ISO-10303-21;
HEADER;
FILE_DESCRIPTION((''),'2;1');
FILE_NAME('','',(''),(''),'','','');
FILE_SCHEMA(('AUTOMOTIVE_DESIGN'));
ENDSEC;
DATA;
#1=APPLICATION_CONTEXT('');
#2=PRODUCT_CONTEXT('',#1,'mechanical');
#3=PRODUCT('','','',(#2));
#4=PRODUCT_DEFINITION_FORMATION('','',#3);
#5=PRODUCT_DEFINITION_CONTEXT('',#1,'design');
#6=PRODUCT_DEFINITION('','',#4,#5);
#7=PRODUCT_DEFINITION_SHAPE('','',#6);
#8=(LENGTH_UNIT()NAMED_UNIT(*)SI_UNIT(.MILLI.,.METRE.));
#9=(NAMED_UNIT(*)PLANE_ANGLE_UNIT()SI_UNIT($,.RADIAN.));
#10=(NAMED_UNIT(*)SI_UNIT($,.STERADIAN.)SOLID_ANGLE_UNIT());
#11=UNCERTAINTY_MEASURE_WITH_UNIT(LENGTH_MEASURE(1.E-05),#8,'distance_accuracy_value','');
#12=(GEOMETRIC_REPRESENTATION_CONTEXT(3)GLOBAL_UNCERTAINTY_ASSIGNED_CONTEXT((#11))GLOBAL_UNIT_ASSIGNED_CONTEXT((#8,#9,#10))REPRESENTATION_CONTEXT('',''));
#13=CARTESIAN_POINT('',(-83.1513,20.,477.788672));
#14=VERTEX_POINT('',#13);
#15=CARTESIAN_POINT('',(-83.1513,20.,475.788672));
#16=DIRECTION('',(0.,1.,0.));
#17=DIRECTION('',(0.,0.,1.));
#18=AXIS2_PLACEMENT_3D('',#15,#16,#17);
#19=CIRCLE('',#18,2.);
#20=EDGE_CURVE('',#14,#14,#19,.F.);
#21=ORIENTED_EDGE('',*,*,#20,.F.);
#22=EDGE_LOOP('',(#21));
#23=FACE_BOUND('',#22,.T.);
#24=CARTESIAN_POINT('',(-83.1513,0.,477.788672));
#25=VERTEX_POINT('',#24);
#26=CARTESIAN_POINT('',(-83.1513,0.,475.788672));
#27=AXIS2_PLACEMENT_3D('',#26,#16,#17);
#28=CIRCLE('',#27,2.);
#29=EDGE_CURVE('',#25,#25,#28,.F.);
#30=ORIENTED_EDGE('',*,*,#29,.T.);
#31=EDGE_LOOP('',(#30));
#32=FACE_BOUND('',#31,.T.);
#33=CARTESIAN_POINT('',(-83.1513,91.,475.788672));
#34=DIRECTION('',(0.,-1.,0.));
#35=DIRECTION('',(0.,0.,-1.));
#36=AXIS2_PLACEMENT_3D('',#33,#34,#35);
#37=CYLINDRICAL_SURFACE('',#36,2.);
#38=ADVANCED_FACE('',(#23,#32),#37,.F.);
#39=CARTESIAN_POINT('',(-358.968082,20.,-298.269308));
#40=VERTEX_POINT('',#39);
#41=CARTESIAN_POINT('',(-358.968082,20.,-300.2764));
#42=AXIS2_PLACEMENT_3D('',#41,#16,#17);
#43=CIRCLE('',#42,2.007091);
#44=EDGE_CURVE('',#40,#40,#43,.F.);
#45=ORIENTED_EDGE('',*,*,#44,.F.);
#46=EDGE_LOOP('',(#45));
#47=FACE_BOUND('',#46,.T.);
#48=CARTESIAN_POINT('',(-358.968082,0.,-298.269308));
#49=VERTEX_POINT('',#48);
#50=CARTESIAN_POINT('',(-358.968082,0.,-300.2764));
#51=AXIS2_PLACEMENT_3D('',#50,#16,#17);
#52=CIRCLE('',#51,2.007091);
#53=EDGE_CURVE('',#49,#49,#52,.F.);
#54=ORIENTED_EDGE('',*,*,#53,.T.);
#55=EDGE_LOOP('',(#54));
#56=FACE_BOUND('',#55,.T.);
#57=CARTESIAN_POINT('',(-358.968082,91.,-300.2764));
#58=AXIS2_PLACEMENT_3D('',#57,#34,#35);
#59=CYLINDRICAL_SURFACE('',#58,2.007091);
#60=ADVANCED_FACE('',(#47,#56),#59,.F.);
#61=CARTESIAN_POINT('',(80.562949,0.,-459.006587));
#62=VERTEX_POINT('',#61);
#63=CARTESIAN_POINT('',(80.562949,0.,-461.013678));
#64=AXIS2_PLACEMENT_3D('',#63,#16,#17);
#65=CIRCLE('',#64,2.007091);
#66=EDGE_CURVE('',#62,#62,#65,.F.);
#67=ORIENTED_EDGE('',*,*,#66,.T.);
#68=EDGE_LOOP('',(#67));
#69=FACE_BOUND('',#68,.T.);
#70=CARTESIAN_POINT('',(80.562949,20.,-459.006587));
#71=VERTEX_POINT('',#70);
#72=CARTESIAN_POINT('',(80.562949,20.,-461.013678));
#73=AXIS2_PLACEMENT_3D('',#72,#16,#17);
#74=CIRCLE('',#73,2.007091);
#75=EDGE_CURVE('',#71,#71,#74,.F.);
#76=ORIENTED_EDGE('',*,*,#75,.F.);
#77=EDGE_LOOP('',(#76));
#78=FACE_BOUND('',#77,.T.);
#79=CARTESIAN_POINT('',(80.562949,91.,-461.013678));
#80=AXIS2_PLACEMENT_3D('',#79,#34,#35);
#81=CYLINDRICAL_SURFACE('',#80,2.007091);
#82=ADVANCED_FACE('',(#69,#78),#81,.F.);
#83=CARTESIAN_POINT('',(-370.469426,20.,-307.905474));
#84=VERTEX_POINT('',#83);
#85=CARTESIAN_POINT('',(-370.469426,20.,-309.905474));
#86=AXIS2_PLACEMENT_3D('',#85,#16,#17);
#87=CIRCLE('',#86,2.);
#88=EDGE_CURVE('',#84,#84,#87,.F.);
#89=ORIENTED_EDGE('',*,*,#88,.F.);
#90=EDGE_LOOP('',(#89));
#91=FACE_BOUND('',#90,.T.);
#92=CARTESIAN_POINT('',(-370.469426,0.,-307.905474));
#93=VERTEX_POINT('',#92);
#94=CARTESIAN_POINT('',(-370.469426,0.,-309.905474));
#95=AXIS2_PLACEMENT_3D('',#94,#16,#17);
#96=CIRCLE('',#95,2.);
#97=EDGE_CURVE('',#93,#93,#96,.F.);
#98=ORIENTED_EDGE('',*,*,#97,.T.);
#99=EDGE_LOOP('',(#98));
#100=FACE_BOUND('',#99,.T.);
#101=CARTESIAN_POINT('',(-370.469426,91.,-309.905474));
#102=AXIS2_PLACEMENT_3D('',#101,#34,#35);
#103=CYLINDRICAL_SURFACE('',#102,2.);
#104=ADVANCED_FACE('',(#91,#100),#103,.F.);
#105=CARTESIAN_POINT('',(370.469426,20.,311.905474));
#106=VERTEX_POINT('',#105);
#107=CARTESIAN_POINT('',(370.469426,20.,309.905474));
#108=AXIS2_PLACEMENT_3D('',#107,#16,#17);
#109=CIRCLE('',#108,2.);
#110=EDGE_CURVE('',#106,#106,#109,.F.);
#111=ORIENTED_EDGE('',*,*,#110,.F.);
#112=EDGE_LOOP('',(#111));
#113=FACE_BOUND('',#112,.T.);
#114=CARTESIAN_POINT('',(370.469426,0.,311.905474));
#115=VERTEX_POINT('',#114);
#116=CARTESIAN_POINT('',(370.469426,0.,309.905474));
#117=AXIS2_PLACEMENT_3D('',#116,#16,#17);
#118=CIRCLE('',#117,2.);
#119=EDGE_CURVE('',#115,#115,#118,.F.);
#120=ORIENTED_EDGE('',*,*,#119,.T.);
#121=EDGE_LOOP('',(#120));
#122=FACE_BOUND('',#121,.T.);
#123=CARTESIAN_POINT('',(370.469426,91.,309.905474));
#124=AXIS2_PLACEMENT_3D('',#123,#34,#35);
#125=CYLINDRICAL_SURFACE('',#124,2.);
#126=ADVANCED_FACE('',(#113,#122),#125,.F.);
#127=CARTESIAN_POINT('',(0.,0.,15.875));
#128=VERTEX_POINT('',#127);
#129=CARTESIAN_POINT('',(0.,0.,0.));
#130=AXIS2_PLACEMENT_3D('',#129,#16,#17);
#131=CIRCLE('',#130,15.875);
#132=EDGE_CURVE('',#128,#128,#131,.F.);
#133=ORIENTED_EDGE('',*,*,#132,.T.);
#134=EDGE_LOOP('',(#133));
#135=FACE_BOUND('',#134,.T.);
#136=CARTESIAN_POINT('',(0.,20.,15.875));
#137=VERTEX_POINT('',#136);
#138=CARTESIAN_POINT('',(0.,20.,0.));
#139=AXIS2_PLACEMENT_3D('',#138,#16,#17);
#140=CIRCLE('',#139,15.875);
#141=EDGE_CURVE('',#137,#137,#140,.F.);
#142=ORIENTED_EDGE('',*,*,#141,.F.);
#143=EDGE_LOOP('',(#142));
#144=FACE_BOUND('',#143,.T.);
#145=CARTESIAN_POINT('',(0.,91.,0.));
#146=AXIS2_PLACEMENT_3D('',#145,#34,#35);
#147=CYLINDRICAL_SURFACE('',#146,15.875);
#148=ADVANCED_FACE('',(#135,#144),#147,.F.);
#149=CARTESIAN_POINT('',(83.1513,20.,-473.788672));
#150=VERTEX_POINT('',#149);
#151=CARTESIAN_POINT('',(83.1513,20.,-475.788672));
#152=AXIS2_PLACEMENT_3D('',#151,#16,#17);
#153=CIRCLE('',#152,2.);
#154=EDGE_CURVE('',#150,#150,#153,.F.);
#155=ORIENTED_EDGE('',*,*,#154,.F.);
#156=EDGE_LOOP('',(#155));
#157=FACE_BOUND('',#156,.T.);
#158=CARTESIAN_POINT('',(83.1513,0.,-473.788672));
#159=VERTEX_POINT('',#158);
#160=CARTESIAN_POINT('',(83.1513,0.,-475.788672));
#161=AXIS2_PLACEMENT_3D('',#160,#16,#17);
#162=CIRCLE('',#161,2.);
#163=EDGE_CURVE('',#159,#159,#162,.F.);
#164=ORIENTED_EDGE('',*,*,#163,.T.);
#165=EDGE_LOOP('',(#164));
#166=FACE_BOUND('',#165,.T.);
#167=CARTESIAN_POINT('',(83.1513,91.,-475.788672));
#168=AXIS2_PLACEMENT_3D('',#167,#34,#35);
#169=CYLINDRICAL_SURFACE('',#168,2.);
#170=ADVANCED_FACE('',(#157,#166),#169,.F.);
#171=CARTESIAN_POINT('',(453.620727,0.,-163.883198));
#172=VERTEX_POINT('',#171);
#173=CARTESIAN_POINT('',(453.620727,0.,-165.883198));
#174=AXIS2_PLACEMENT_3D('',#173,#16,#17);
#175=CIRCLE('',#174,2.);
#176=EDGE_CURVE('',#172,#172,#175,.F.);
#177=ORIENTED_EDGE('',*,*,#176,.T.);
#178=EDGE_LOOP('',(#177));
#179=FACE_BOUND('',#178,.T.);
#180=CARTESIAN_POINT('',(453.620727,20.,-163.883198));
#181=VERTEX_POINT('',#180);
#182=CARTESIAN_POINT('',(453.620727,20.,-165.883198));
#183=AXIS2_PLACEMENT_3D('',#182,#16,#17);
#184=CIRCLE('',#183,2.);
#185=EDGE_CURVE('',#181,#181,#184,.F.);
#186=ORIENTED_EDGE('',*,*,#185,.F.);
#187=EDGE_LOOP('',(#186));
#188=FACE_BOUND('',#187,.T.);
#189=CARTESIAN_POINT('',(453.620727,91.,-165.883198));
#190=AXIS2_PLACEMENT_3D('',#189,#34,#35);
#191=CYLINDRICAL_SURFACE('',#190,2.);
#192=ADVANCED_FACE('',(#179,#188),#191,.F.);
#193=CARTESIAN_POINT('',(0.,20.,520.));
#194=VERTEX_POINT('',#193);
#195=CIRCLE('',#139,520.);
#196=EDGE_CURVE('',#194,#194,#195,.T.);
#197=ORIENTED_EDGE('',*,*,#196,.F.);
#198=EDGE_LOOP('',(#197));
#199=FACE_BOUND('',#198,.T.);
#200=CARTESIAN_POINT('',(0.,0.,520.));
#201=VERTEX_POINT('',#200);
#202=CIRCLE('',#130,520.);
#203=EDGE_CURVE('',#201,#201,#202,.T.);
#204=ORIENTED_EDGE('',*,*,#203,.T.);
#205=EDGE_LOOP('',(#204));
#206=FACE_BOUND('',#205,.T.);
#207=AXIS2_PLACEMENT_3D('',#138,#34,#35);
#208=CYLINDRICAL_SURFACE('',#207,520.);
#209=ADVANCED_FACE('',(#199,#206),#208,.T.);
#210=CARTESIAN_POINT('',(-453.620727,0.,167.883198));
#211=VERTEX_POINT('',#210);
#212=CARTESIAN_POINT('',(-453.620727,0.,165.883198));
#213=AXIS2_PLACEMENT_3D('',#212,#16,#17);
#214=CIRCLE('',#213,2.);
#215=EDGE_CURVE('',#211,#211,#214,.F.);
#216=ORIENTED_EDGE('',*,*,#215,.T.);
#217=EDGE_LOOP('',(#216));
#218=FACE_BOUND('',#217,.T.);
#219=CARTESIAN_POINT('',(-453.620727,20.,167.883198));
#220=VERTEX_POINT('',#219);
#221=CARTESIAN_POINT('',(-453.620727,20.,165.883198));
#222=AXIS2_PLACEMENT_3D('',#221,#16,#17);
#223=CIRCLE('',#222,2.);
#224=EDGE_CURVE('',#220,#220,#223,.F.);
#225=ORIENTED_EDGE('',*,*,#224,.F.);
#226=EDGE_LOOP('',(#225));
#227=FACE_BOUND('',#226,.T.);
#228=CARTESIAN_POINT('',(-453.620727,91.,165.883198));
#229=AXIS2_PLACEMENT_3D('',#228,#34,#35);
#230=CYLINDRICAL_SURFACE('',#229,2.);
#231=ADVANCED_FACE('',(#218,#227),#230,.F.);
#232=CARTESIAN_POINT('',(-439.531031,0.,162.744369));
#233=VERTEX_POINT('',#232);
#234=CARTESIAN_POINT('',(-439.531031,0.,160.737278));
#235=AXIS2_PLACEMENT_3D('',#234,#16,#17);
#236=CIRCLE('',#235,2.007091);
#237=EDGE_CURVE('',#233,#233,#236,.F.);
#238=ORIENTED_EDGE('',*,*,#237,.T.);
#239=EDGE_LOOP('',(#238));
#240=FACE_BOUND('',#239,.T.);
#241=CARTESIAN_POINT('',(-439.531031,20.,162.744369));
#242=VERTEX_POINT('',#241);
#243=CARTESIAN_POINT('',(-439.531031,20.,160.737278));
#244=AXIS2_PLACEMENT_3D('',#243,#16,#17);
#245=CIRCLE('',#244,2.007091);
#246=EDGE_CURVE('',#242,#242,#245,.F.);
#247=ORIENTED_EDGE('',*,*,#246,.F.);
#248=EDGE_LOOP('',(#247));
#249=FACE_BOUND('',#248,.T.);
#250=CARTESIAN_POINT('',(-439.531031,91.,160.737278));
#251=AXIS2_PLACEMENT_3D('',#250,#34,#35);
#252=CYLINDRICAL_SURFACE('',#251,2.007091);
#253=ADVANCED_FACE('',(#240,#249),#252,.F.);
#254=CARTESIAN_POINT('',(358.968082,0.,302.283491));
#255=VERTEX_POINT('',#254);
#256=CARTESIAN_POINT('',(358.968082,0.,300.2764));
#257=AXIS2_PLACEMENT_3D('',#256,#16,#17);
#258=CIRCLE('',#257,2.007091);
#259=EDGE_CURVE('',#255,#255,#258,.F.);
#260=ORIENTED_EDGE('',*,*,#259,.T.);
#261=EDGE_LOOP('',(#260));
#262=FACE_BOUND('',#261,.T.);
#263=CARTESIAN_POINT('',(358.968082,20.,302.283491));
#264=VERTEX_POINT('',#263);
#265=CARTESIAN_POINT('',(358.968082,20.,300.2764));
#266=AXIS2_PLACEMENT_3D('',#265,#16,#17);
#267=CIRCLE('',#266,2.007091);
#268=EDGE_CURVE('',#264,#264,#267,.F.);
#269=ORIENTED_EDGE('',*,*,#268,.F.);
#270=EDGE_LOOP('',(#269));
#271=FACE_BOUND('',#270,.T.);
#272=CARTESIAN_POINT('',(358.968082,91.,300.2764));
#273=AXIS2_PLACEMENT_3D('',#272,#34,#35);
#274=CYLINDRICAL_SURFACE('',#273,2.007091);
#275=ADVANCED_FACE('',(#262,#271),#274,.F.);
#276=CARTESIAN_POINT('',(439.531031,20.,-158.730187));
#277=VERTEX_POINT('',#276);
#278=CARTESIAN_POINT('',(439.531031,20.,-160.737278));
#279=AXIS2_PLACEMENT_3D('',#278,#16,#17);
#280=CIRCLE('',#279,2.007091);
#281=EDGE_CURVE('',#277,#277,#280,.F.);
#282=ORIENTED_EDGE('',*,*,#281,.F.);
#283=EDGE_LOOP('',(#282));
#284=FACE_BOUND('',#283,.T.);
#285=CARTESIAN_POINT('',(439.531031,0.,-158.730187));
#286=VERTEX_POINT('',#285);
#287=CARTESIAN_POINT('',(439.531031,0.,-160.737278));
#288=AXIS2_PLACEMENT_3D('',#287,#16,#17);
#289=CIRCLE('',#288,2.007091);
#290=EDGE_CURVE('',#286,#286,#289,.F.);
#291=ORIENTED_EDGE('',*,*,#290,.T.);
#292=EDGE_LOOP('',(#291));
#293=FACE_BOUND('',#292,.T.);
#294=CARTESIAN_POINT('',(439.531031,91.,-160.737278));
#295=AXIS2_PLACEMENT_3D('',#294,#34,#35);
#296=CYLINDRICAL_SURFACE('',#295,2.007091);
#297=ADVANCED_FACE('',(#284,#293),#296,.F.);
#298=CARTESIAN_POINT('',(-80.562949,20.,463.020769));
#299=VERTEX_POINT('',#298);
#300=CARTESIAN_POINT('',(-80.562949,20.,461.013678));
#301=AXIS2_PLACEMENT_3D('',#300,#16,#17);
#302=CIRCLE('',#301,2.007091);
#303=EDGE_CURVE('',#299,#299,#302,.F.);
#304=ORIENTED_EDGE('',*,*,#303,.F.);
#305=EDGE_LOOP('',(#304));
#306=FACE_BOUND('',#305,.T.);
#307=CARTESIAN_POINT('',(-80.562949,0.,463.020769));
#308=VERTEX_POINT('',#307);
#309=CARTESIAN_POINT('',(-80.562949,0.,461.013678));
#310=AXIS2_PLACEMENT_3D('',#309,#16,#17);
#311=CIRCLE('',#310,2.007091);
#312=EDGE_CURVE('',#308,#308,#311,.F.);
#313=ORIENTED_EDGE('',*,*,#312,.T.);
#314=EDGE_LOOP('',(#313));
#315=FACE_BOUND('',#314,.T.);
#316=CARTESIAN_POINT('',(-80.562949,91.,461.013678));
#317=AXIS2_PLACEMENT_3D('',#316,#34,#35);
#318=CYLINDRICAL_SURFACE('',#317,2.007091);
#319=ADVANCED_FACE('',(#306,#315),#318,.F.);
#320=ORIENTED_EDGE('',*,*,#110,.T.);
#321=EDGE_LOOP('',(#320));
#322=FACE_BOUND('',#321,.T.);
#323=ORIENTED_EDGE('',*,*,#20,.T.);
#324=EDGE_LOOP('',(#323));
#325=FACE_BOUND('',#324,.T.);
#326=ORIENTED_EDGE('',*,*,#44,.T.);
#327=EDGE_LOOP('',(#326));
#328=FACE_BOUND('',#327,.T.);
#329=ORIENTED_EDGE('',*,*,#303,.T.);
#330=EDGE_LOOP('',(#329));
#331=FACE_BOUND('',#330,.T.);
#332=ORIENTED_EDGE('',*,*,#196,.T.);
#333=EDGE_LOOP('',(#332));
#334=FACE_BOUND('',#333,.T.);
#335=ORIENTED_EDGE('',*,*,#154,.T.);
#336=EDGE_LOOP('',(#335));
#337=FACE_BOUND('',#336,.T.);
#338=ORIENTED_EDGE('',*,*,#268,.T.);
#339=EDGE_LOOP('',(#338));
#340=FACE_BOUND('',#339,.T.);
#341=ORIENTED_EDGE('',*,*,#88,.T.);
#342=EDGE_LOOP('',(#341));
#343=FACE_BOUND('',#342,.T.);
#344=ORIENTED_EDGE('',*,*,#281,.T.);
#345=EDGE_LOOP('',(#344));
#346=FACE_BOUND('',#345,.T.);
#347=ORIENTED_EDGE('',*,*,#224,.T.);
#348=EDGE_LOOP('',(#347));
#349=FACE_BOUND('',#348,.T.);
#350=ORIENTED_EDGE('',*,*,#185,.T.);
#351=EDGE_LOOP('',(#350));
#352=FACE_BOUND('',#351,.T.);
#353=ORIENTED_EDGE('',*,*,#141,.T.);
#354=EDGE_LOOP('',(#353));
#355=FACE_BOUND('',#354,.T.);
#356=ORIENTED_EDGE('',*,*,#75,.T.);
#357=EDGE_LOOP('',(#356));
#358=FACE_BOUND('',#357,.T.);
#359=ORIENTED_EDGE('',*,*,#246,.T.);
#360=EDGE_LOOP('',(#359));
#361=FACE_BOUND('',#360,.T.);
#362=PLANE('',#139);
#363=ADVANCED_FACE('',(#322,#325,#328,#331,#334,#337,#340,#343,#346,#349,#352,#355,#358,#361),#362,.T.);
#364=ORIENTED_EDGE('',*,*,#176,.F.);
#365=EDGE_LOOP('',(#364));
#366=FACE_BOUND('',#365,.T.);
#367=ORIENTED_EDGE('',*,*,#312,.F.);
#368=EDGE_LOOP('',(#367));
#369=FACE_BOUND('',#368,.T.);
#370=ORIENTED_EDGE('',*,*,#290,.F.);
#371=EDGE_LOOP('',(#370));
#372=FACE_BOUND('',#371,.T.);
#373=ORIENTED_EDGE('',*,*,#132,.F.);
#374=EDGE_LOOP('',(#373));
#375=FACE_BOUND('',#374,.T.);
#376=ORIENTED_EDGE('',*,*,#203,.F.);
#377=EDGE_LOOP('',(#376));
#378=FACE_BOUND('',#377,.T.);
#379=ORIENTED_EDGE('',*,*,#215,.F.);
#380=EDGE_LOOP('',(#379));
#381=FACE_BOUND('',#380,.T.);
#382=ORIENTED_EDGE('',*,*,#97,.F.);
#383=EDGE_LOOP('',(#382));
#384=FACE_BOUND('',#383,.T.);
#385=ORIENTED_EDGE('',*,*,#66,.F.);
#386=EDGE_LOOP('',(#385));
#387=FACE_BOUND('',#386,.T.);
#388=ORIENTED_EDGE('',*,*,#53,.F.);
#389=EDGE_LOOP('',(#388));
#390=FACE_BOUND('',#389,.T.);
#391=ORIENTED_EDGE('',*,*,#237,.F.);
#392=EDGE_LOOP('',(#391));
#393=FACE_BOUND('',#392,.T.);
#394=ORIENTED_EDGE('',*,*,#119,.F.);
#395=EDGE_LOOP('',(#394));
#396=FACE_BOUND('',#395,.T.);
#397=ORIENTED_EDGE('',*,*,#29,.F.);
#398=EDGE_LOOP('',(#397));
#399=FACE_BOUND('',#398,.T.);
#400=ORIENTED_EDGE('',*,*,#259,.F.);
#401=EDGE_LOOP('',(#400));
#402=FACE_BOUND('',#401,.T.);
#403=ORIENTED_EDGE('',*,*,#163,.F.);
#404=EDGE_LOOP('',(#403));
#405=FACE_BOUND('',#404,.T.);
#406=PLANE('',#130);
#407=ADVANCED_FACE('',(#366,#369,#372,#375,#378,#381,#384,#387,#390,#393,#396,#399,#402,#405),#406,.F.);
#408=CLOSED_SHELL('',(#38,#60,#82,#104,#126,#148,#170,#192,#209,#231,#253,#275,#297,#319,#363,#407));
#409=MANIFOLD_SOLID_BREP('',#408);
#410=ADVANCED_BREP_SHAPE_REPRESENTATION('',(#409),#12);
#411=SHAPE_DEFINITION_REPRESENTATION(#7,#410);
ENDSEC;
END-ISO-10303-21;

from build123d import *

# Parameters (mm, degrees)
SKETCH1_R           = 520
BOSS_EXTRUDE2_DEPTH = 20
CUT_EXTRUDE2_START  = -80
SKETCH5_R           = 15.875
SKETCH5_R_2         = 2.007091202
SKETCH5_R_3         = 2
CUT_EXTRUDE2_DEPTH  = 151
CIRPATTERN6_COUNT   = 6


with BuildPart() as part:
    # Sketch1 → Boss-Extrude2 (new body)
    with BuildSketch(Plane(origin=(0, 0, 0), x_dir=(1, 0, 0), z_dir=(0, 1, 0))):
        with Locations(Location((0, 0, 0), (0, 0, 270))):
            Circle(SKETCH1_R)
    extrude(amount=BOSS_EXTRUDE2_DEPTH)

    # Sketch5 → Cut-Extrude2 (cut)
    with BuildSketch(Plane(origin=(0, 20, 0), x_dir=(1, 0, 0), z_dir=(0, 1, 0)).offset(CUT_EXTRUDE2_START)):
        with Locations(Location((0, 0, 0), (0, 0, 270))):
            Circle(SKETCH5_R)
        with Locations(Location((-439.5310312, -160.737278228, 0), (0, 0, 270))):
            Circle(SKETCH5_R_2)
        with Locations(Location((-453.620726539, -165.883197509, 0), (0, 0, 270))):
            Circle(SKETCH5_R_3)
    cut_extrude2 = extrude(amount=CUT_EXTRUDE2_DEPTH, mode=Mode.SUBTRACT)

    # CirPattern6: Cut-Extrude2 ×6 about axis
    cirpattern6_axis = Axis((0, 0, 0), (0, 1, 0))
    for i in range(1, CIRPATTERN6_COUNT):
        add(cut_extrude2.rotate(cirpattern6_axis, i * 360 / CIRPATTERN6_COUNT), mode=Mode.SUBTRACT)


solid = part.part
